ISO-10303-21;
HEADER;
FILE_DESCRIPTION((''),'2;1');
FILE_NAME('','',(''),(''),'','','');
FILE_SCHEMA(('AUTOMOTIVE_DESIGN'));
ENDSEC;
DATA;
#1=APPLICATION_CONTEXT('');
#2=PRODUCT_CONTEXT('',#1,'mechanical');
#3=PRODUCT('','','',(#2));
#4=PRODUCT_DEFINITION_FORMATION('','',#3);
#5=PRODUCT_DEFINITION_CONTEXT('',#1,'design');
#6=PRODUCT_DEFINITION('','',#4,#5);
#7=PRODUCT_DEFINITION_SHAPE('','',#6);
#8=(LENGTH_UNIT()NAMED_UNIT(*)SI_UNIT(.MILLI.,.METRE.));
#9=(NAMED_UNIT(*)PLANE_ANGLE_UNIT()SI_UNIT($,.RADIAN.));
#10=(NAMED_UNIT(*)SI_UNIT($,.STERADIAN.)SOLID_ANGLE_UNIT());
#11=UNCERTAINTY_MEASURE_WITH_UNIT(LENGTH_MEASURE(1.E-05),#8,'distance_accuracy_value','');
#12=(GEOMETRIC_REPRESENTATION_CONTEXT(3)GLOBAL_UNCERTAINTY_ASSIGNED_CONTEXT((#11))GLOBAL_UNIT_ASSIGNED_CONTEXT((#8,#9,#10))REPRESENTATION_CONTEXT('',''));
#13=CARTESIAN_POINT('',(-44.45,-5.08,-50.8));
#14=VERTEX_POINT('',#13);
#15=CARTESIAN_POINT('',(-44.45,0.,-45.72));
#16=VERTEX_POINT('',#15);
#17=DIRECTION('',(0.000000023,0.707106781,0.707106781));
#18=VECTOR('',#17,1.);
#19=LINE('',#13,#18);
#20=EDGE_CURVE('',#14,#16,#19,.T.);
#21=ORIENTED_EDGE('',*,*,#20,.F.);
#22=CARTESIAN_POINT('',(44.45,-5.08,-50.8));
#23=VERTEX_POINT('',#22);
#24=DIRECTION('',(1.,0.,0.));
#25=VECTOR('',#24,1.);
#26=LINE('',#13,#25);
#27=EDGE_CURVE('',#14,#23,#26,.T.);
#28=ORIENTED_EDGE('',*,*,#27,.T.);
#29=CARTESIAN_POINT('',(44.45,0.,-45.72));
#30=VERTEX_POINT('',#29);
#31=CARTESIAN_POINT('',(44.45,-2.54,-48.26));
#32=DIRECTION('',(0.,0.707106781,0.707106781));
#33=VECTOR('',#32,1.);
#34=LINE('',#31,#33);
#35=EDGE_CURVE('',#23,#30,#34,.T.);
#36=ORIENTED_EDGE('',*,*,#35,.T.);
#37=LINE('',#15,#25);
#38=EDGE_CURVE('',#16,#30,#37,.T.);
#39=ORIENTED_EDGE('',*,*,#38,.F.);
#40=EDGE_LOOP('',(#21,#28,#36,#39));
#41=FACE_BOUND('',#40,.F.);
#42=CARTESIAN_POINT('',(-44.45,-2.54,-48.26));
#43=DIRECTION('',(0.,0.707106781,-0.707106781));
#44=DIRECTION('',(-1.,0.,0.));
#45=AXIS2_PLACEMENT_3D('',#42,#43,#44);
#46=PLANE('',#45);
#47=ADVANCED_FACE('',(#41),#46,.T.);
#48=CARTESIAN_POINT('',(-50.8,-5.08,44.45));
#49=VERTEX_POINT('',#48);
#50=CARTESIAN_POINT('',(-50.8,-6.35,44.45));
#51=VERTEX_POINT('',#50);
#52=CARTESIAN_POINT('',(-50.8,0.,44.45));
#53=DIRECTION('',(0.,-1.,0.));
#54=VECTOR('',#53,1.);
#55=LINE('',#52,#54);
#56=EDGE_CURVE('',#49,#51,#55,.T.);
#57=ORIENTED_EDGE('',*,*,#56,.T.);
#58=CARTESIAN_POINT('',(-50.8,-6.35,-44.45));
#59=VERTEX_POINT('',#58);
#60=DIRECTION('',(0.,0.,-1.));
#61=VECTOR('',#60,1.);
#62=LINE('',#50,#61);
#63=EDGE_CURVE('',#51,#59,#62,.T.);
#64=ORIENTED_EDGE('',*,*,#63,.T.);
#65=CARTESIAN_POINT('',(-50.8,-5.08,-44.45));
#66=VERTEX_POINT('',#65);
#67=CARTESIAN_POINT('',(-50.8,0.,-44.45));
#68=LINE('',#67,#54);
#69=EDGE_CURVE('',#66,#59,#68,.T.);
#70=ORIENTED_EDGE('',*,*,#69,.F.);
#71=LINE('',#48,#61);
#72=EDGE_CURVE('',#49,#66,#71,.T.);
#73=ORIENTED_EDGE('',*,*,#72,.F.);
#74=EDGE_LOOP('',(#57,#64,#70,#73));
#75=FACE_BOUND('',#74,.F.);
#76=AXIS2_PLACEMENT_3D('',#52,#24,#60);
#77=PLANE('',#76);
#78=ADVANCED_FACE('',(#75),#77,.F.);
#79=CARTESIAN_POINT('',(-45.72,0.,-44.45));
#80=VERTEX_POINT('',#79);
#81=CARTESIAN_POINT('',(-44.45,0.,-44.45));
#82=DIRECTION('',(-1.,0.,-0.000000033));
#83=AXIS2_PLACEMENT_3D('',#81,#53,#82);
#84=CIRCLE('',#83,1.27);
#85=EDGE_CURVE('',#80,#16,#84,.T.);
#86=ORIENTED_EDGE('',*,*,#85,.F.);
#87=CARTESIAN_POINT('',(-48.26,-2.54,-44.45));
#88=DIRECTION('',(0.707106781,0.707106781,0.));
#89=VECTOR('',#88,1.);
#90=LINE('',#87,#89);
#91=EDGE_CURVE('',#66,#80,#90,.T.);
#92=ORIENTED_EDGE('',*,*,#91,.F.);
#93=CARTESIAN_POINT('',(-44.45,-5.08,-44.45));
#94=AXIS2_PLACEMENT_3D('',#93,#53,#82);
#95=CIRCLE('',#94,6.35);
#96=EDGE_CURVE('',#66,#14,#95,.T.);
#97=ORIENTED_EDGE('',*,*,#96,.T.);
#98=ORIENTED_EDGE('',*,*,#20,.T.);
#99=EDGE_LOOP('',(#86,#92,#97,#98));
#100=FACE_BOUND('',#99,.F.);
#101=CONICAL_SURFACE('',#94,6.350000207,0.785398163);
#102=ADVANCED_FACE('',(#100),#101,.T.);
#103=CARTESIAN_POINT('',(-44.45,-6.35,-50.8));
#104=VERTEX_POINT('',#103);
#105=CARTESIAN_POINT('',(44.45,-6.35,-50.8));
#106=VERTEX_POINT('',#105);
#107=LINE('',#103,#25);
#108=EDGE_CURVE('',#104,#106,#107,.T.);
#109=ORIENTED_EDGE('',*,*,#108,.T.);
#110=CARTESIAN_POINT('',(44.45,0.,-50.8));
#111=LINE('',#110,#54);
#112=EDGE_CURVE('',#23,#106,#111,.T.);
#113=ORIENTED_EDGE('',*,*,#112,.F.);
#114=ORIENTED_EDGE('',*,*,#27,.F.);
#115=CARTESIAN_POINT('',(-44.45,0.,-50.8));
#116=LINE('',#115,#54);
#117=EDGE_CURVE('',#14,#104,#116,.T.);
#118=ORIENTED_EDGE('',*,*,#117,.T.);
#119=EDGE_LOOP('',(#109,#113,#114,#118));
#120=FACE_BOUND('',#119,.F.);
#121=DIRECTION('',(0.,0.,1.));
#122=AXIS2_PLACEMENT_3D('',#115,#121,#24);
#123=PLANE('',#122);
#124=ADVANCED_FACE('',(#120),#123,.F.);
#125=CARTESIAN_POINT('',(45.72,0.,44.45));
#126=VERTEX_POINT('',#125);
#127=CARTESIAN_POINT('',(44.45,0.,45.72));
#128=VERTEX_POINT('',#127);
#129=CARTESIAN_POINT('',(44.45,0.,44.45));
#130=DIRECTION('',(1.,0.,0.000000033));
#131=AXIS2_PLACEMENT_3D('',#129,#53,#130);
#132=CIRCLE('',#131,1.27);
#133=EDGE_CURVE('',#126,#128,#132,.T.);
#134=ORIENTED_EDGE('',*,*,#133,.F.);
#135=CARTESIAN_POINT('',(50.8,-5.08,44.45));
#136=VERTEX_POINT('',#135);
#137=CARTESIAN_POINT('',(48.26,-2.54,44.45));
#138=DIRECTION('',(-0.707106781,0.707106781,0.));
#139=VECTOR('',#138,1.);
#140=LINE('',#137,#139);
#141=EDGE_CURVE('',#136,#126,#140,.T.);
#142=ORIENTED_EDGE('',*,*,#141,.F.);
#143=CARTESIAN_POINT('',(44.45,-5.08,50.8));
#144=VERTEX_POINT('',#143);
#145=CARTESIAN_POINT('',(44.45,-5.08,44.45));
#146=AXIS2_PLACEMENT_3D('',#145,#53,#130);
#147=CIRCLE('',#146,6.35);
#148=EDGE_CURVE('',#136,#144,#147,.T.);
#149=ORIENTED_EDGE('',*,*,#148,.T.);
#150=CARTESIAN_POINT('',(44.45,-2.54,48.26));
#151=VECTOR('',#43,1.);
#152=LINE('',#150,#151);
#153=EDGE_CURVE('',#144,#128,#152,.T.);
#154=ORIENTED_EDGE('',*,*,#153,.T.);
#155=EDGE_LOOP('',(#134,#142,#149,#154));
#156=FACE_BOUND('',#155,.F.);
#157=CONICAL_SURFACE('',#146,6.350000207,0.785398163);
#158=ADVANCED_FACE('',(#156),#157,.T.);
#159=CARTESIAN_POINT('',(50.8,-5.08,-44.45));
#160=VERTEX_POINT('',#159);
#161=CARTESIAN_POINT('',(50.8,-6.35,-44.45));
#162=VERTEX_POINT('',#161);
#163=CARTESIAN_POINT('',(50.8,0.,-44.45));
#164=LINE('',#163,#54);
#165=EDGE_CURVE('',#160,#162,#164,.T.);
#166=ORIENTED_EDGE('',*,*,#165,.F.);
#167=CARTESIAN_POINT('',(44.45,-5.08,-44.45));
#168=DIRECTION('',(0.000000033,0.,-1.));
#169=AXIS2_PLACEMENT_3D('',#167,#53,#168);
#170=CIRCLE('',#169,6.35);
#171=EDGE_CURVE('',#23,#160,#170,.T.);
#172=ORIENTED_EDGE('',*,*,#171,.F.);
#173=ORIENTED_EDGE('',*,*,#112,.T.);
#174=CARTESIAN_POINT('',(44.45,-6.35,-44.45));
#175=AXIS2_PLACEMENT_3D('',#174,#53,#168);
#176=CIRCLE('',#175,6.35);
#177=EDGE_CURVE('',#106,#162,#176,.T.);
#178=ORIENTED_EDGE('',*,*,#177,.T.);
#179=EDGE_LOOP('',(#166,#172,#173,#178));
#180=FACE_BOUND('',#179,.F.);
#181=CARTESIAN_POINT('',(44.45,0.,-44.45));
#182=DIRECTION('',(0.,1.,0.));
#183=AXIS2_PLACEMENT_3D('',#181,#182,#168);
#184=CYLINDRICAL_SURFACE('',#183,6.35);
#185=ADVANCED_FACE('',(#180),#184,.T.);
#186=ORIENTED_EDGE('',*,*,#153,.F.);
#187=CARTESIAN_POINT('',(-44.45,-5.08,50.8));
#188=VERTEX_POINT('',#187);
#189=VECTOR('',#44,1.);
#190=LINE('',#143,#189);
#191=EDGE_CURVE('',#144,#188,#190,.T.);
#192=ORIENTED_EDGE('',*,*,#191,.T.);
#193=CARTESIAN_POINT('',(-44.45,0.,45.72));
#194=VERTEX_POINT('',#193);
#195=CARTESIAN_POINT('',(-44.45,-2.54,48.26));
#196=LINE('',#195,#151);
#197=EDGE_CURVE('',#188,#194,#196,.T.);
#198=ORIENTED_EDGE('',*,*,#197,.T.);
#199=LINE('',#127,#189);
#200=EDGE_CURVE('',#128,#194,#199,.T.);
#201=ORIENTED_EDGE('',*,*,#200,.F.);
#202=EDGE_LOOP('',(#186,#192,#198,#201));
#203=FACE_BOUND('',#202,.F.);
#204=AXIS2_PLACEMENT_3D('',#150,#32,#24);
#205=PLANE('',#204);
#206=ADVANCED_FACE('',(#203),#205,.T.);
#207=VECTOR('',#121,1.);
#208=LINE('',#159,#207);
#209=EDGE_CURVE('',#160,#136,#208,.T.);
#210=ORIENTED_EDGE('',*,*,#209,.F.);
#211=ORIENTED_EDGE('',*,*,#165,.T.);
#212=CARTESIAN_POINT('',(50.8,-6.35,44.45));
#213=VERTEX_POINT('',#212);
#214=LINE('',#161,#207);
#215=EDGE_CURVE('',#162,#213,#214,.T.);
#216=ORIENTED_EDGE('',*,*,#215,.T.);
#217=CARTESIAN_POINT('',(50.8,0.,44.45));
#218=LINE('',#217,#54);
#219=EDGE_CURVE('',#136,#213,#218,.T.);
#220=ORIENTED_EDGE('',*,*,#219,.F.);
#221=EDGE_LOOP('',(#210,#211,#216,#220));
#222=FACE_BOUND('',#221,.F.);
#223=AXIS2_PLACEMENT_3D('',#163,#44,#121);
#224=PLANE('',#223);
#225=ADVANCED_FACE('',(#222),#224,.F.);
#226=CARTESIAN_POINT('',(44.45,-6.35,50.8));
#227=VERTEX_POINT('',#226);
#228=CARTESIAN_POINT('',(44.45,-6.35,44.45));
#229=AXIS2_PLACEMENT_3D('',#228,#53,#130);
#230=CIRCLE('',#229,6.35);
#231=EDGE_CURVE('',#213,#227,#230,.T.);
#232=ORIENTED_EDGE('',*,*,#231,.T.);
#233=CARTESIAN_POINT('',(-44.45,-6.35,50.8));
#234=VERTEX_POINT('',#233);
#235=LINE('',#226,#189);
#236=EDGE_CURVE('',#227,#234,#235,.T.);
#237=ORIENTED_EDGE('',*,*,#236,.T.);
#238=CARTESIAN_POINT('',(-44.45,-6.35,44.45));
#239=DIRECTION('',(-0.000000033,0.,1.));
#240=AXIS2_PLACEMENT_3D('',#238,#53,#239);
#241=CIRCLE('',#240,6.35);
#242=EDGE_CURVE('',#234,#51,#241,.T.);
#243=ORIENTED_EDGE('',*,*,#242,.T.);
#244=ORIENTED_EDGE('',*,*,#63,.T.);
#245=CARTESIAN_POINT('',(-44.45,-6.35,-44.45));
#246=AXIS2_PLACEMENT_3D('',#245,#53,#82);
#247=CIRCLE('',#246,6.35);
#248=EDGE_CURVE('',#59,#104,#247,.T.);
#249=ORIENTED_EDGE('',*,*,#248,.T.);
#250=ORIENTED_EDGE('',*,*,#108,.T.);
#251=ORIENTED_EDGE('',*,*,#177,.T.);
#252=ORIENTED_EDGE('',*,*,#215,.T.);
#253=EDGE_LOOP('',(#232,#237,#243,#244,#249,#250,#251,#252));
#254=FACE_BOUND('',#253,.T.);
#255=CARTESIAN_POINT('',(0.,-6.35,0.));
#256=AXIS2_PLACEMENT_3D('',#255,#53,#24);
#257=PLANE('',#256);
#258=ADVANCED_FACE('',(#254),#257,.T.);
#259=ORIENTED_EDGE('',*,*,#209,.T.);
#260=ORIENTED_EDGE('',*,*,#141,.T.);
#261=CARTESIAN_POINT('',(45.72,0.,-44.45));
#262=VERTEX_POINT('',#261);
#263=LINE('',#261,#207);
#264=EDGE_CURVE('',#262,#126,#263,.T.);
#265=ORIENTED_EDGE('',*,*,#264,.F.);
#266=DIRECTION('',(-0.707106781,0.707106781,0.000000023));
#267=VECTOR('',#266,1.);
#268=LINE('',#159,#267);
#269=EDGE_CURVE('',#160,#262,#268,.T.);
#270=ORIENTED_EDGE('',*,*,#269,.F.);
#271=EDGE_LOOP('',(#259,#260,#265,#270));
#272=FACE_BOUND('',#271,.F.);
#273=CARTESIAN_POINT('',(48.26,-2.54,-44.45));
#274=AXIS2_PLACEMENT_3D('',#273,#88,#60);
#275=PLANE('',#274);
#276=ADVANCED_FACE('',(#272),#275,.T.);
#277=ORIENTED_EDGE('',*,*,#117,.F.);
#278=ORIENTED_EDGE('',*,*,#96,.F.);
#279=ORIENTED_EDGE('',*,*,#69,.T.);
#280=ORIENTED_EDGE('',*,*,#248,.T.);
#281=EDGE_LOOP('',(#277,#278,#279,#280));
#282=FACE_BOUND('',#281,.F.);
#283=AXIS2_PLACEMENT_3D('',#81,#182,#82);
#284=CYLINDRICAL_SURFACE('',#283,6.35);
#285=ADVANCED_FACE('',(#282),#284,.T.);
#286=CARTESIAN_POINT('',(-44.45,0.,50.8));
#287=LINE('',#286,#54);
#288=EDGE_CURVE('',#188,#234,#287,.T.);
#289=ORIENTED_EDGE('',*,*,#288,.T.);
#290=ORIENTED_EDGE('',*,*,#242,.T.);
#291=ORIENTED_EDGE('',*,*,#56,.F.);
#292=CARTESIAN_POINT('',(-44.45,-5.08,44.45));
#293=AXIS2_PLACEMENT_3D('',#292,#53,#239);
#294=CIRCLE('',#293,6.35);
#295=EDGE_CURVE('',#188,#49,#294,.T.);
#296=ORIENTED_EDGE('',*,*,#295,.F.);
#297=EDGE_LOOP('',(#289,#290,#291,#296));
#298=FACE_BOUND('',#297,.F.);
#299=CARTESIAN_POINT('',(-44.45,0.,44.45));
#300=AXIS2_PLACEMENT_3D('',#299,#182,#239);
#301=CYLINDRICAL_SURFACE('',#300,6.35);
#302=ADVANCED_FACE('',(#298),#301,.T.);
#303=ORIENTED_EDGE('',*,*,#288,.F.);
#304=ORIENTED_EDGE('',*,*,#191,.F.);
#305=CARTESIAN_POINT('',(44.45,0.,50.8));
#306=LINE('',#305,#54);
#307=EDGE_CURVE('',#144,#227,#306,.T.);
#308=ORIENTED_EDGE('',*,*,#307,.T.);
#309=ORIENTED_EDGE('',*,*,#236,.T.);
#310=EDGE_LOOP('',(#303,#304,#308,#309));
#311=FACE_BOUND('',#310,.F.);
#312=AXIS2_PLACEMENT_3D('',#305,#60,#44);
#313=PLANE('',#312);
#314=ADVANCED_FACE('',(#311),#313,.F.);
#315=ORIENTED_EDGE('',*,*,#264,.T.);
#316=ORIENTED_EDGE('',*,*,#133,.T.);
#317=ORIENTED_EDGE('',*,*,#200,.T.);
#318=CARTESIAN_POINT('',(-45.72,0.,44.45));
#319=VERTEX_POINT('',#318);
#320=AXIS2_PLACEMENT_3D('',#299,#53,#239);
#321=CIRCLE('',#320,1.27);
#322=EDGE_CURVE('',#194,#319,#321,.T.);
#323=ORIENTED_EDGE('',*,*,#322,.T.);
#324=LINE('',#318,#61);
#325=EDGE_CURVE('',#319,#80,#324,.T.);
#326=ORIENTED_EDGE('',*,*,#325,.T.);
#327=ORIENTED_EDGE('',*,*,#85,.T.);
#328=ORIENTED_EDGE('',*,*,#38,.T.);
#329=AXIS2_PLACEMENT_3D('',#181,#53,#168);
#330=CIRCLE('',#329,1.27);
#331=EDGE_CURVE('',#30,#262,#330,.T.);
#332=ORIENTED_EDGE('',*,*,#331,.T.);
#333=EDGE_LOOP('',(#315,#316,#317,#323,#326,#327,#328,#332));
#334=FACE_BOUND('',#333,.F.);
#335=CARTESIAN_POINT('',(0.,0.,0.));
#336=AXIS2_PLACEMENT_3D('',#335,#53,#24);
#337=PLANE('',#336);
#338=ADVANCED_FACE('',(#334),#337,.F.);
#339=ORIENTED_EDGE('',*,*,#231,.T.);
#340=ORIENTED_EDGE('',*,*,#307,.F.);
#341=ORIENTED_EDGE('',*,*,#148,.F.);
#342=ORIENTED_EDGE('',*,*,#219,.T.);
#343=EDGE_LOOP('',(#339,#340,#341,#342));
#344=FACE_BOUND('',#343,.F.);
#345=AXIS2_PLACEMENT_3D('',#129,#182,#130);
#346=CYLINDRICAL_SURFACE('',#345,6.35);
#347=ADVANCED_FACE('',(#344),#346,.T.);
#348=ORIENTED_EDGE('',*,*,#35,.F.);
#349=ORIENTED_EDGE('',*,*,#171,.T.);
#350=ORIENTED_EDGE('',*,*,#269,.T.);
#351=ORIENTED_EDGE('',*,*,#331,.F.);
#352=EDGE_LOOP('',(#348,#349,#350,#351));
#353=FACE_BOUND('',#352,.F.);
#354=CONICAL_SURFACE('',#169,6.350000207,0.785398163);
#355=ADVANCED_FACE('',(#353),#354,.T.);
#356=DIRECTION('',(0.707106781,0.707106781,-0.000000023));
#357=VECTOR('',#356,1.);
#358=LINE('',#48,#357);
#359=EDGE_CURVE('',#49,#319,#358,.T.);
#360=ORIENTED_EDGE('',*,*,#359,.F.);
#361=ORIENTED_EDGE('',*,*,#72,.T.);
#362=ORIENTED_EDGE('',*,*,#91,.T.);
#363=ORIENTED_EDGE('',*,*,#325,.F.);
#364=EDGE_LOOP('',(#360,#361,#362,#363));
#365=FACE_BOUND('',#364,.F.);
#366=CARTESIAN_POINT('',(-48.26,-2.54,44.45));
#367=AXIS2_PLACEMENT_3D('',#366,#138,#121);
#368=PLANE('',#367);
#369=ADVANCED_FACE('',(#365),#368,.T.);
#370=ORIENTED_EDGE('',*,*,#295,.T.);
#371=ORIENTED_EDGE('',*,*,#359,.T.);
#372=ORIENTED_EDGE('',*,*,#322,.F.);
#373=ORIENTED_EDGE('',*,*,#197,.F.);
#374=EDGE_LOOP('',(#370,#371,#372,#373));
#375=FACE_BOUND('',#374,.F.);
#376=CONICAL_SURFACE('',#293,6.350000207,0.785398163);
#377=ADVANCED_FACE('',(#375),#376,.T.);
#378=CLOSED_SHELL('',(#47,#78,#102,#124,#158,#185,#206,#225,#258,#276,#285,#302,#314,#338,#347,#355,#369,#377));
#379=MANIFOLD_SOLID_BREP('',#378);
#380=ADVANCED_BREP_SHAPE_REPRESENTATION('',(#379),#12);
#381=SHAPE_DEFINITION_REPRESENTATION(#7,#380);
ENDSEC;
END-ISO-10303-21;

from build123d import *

# Parameters (mm, degrees)
F1_DEPTH = 6.35
F2_SIZE  = 5.08


with BuildPart() as f1:
    # F0 (on Front) → F1 (new body)
    with BuildSketch(Plane.XZ):
        with BuildLine():
            ThreePointArc((50.8, 44.45), (48.940128, 48.940128), (44.45, 50.8))
            Line((44.45, 50.8), (-44.45, 50.8))
            ThreePointArc((-44.45, 50.8), (-48.940128, 48.940128), (-50.8, 44.45))
            Line((-50.8, 44.45), (-50.8, -44.45))
            ThreePointArc((-50.8, -44.45), (-48.940128, -48.940128), (-44.45, -50.8))
            Line((-44.45, -50.8), (44.45, -50.8))
            ThreePointArc((44.45, -50.8), (48.940128, -48.940128), (50.8, -44.45))
            Line((50.8, -44.45), (50.8, 44.45))
        make_face()
    extrude(amount=F1_DEPTH)

    # F2
    f2_edges = [f1.edges().sort_by_distance(p)[0] for p in [
        (0, 0, 50.8),
    ]]
    chamfer(f2_edges, length=F2_SIZE)


solid = f1.part
